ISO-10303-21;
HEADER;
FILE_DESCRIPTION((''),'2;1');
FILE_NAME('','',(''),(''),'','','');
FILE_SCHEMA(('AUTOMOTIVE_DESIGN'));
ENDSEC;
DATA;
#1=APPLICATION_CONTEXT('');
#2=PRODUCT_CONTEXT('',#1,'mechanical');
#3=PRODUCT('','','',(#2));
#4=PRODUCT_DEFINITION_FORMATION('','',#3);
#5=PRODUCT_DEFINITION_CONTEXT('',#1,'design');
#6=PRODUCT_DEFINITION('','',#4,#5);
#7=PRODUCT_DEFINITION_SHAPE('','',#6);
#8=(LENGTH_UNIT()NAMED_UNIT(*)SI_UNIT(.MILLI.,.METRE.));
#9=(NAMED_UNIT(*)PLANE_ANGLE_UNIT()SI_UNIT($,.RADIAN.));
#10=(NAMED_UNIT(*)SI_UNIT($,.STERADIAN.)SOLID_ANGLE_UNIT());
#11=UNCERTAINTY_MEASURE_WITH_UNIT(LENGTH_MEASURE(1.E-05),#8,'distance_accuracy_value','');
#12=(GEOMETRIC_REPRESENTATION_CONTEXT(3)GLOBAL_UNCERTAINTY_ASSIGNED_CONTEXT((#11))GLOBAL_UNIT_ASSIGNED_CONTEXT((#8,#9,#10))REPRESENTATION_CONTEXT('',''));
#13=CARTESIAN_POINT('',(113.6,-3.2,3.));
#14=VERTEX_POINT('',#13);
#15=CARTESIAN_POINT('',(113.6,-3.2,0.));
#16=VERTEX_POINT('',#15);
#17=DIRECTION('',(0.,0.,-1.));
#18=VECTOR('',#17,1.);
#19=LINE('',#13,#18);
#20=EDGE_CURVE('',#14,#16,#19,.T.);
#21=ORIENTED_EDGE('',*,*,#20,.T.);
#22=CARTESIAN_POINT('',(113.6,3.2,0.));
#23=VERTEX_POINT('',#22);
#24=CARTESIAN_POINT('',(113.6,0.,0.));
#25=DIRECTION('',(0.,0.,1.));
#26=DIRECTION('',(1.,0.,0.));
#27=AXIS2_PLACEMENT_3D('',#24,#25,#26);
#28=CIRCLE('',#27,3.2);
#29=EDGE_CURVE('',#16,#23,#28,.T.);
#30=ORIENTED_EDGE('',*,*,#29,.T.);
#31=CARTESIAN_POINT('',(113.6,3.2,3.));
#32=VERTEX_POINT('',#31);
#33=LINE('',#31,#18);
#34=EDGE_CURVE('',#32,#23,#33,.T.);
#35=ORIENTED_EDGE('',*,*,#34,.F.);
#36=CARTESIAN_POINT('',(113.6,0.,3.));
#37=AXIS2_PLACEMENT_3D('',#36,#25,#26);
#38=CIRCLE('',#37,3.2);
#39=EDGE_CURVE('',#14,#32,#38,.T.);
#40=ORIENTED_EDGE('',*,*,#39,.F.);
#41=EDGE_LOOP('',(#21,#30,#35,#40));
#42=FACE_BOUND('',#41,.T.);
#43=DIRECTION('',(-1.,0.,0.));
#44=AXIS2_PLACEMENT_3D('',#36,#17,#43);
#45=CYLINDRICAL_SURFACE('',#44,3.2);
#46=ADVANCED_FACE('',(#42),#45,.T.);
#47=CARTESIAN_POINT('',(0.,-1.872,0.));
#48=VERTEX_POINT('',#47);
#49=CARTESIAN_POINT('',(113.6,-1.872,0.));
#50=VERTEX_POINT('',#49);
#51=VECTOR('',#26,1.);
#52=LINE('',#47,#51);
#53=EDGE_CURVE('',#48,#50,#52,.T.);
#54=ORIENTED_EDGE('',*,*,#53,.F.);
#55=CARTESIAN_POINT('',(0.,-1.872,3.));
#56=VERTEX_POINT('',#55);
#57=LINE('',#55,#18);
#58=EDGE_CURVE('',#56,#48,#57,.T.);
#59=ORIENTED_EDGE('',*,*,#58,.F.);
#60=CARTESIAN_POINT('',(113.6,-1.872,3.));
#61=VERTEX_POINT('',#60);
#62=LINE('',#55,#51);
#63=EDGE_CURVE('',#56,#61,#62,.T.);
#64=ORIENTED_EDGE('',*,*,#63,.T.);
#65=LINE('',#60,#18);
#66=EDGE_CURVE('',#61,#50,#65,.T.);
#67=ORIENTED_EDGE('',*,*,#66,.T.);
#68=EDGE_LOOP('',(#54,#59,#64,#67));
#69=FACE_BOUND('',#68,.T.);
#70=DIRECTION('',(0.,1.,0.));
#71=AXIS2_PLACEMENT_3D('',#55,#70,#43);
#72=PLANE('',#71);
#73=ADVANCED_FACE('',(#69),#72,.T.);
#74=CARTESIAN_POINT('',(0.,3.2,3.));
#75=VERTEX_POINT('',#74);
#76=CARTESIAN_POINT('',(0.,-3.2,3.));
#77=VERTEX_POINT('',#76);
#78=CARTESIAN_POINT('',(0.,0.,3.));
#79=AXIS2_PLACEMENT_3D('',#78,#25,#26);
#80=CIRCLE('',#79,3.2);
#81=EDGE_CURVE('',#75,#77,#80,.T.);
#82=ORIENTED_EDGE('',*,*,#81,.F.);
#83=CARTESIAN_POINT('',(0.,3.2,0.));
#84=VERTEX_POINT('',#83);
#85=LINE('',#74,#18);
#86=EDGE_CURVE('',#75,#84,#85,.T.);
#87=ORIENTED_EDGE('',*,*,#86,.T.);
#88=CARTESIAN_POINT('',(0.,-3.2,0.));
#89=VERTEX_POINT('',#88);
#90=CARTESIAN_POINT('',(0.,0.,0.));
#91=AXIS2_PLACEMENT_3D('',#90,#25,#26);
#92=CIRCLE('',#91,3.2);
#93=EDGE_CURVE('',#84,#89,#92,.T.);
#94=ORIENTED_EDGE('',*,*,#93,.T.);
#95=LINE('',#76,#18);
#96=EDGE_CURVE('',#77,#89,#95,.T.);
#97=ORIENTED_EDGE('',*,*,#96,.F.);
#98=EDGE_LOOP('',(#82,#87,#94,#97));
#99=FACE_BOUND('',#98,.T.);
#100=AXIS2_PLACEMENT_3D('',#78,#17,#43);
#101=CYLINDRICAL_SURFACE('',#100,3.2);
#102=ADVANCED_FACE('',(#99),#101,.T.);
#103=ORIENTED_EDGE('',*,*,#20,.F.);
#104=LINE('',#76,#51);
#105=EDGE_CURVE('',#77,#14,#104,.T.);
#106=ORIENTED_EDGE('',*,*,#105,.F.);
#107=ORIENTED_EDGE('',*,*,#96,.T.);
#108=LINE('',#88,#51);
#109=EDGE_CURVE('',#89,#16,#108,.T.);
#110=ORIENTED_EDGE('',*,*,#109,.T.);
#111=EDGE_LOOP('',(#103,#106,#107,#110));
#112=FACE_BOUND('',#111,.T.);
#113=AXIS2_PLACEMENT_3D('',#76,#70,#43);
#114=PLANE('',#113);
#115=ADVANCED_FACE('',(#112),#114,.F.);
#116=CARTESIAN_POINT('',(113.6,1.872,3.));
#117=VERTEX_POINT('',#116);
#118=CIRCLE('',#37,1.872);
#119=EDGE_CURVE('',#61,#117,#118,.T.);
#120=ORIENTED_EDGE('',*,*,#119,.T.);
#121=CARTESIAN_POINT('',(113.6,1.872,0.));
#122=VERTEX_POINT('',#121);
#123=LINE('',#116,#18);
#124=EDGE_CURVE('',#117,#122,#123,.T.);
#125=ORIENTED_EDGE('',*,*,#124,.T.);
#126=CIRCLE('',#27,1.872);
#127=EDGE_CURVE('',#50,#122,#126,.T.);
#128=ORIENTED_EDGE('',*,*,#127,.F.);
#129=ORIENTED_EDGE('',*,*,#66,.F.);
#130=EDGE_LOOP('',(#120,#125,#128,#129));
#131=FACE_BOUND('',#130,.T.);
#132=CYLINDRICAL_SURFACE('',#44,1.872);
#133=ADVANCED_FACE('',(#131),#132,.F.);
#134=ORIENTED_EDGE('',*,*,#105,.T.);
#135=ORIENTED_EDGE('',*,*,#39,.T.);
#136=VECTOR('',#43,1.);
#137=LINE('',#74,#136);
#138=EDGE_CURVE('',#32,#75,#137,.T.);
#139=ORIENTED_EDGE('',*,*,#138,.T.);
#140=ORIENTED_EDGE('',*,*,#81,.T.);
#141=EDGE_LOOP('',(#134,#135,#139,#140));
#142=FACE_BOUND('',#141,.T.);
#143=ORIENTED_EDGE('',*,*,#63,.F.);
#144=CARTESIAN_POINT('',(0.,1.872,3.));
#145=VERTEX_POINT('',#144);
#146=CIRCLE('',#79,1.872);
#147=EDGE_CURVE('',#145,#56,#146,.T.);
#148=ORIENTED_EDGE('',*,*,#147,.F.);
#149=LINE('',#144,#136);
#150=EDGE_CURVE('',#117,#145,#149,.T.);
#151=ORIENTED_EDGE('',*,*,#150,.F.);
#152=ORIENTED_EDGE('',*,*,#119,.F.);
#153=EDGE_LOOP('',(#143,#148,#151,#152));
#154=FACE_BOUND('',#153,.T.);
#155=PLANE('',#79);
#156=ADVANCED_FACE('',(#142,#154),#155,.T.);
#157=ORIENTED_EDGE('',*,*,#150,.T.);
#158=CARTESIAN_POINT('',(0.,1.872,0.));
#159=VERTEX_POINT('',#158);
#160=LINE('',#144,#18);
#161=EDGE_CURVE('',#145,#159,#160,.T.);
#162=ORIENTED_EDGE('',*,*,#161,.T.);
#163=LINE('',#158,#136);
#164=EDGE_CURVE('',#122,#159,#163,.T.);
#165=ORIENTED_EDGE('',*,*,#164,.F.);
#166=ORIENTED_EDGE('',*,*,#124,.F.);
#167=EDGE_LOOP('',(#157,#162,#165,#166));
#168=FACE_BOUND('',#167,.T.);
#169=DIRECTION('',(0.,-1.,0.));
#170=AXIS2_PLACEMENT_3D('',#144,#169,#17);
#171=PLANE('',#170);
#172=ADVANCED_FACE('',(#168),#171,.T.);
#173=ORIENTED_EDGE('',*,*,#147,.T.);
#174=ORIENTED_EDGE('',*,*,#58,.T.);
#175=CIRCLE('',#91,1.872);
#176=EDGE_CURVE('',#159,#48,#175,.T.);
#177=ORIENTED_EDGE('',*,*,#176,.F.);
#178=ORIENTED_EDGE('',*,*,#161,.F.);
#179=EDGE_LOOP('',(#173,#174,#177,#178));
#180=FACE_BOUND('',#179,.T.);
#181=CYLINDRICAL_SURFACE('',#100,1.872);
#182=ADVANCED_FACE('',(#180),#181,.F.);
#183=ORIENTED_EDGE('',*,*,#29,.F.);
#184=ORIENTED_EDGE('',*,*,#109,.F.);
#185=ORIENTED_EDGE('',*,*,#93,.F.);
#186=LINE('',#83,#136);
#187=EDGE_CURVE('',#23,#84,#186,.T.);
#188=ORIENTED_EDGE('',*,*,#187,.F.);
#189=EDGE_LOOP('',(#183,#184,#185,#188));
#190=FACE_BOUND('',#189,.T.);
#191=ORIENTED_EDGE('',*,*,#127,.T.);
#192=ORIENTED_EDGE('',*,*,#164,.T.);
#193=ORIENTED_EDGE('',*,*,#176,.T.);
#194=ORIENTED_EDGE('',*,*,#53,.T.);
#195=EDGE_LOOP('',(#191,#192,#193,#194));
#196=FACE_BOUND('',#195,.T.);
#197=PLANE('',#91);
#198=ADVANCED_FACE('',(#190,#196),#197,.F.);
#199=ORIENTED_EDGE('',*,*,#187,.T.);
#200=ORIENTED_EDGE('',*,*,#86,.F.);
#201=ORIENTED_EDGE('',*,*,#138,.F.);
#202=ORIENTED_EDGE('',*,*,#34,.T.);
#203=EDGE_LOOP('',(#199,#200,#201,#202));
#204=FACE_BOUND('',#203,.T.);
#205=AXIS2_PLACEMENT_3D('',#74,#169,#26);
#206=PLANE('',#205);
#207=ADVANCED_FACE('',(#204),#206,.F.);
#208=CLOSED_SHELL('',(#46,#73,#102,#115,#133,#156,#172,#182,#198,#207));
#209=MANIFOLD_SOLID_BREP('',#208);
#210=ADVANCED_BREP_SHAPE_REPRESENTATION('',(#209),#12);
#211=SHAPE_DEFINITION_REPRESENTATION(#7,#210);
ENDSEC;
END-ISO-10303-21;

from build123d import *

# Parameters (mm, degrees)
BOSS_EXTRUDE1_DEPTH = 3


with BuildPart() as part:
    # Sketch1 → Boss-Extrude1 (new body)
    with BuildSketch(Plane.XY):
        with BuildLine():
            Line((0, 3.2), (113.6, 3.2))
            ThreePointArc((113.6, 3.2), (116.8, 0), (113.6, -3.2))
            Line((113.6, -3.2), (0, -3.2))
            ThreePointArc((0, -3.2), (-3.2, 0), (0, 3.2))
        make_face()
        with BuildLine():
            Line((0, 1.872), (113.6, 1.872))
            ThreePointArc((113.6, 1.872), (115.472, 0), (113.6, -1.872))
            Line((113.6, -1.872), (0, -1.872))
            ThreePointArc((0, -1.872), (-1.872, 0), (0, 1.872))
        make_face(mode=Mode.SUBTRACT)
    extrude(amount=BOSS_EXTRUDE1_DEPTH)


solid = part.part
